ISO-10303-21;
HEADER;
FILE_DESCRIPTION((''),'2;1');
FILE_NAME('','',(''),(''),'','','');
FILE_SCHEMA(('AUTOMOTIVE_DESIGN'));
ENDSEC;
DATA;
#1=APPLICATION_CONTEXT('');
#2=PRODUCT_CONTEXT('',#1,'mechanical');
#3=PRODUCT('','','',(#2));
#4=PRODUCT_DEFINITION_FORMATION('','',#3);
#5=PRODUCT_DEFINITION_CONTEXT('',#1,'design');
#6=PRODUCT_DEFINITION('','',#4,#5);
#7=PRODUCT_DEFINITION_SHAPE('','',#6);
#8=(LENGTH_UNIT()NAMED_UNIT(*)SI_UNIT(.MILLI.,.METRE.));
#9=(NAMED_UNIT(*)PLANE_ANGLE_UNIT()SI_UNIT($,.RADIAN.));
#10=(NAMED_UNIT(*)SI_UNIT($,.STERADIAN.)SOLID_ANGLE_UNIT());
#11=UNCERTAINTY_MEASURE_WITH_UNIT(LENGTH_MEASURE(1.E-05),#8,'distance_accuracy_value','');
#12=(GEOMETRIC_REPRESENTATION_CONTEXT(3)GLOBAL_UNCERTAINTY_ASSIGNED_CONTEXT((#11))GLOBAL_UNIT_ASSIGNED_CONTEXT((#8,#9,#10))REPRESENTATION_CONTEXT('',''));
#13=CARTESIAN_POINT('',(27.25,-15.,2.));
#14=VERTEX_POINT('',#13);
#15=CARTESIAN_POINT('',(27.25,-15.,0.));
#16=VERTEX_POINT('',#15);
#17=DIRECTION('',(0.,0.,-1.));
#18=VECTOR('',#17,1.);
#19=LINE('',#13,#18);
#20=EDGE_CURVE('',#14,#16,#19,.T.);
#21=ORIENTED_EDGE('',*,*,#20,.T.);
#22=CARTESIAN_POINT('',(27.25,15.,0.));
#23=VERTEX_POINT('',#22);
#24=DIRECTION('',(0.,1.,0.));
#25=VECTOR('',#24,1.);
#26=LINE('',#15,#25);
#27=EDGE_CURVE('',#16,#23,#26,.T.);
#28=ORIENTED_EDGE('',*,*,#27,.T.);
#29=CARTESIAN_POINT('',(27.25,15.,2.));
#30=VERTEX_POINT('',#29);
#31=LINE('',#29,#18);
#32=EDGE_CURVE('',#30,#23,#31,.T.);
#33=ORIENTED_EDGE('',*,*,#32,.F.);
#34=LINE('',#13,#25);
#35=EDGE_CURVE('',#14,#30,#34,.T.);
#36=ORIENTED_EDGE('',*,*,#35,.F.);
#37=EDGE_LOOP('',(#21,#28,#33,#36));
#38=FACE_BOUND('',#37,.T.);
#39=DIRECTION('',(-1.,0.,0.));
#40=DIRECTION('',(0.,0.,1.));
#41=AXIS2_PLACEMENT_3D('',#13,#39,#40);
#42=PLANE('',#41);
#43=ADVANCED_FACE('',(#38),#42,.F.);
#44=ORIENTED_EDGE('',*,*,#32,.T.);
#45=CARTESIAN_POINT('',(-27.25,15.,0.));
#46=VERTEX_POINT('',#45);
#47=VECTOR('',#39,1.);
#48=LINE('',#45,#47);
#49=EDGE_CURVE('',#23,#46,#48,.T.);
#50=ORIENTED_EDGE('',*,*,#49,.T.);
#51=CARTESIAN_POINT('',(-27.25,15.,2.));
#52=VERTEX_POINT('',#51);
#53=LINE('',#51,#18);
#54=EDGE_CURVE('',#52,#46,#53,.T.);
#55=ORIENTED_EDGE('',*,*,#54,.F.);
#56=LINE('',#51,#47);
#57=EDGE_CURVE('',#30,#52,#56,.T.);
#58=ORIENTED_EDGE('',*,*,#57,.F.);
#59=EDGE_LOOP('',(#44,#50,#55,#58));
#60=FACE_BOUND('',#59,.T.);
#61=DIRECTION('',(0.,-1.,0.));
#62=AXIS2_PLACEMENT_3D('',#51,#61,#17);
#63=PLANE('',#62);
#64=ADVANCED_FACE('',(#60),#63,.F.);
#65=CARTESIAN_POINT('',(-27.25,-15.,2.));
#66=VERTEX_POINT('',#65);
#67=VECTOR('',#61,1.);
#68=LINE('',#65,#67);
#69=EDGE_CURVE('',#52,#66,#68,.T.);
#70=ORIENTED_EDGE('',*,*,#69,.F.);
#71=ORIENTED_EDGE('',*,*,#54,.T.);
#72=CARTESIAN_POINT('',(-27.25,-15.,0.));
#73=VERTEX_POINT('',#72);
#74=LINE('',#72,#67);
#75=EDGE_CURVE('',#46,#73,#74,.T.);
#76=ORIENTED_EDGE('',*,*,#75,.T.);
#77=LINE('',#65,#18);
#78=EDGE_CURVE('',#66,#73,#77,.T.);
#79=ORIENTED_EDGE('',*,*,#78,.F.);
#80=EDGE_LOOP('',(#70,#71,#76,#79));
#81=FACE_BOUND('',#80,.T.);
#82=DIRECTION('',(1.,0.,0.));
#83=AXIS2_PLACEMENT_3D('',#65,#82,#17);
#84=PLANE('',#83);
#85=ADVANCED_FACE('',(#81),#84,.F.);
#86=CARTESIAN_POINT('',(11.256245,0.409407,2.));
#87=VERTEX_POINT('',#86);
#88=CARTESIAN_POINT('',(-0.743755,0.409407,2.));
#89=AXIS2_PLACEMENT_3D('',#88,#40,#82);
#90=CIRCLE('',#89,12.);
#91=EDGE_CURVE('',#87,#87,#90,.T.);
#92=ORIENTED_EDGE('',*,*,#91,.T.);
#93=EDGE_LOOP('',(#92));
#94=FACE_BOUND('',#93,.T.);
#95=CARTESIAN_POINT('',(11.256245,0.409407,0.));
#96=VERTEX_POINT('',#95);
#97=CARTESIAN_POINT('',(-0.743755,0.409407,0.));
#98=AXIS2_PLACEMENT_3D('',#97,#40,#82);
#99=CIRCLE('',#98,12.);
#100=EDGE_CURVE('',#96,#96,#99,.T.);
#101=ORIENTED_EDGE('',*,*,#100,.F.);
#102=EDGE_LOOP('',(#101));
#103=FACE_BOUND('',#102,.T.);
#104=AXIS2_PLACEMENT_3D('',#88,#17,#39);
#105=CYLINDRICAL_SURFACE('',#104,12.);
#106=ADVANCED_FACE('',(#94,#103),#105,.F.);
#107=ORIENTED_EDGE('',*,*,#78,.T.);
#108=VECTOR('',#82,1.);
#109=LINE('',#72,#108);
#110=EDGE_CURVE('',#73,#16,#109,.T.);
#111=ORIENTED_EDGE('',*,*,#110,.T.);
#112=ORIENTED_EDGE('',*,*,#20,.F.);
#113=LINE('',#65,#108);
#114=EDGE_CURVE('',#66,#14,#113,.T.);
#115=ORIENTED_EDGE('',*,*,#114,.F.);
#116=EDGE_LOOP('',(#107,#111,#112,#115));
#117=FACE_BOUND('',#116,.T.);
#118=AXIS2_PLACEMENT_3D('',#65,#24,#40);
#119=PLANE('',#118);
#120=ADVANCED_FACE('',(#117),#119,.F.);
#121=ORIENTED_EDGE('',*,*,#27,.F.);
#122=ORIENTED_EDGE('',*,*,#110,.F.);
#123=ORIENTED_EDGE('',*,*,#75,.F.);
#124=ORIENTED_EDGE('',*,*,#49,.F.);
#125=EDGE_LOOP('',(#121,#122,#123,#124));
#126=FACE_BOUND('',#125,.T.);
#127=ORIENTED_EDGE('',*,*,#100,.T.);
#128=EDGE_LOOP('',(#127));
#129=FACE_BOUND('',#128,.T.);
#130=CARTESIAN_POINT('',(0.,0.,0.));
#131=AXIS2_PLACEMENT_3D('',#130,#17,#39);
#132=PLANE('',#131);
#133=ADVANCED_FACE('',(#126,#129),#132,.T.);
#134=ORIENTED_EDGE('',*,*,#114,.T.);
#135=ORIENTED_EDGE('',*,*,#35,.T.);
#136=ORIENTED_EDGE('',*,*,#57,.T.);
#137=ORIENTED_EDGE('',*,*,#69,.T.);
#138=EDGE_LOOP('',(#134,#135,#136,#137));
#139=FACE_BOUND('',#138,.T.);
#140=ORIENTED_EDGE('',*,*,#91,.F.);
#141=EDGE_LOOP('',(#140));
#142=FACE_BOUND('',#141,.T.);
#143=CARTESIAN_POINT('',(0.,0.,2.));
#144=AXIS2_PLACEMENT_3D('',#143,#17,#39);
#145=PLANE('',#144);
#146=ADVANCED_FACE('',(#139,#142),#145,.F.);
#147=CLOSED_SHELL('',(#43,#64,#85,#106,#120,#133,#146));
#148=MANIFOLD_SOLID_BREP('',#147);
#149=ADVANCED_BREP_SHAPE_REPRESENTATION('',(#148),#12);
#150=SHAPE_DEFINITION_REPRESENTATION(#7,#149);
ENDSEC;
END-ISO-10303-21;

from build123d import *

# Parameters (mm, degrees)
SKETCH1_W           = 54.5
SKETCH1_H           = 30
SKETCH1_R           = 12
BOSS_EXTRUDE1_DEPTH = 2


with BuildPart() as part:
    # Sketch1 → Boss-Extrude1 (new body)
    with BuildSketch(Plane.XY):
        Rectangle(SKETCH1_W, SKETCH1_H)
        with Locations((-0.743755418, 0.409406652)):
            Circle(SKETCH1_R, mode=Mode.SUBTRACT)
    extrude(amount=BOSS_EXTRUDE1_DEPTH)


solid = part.part
